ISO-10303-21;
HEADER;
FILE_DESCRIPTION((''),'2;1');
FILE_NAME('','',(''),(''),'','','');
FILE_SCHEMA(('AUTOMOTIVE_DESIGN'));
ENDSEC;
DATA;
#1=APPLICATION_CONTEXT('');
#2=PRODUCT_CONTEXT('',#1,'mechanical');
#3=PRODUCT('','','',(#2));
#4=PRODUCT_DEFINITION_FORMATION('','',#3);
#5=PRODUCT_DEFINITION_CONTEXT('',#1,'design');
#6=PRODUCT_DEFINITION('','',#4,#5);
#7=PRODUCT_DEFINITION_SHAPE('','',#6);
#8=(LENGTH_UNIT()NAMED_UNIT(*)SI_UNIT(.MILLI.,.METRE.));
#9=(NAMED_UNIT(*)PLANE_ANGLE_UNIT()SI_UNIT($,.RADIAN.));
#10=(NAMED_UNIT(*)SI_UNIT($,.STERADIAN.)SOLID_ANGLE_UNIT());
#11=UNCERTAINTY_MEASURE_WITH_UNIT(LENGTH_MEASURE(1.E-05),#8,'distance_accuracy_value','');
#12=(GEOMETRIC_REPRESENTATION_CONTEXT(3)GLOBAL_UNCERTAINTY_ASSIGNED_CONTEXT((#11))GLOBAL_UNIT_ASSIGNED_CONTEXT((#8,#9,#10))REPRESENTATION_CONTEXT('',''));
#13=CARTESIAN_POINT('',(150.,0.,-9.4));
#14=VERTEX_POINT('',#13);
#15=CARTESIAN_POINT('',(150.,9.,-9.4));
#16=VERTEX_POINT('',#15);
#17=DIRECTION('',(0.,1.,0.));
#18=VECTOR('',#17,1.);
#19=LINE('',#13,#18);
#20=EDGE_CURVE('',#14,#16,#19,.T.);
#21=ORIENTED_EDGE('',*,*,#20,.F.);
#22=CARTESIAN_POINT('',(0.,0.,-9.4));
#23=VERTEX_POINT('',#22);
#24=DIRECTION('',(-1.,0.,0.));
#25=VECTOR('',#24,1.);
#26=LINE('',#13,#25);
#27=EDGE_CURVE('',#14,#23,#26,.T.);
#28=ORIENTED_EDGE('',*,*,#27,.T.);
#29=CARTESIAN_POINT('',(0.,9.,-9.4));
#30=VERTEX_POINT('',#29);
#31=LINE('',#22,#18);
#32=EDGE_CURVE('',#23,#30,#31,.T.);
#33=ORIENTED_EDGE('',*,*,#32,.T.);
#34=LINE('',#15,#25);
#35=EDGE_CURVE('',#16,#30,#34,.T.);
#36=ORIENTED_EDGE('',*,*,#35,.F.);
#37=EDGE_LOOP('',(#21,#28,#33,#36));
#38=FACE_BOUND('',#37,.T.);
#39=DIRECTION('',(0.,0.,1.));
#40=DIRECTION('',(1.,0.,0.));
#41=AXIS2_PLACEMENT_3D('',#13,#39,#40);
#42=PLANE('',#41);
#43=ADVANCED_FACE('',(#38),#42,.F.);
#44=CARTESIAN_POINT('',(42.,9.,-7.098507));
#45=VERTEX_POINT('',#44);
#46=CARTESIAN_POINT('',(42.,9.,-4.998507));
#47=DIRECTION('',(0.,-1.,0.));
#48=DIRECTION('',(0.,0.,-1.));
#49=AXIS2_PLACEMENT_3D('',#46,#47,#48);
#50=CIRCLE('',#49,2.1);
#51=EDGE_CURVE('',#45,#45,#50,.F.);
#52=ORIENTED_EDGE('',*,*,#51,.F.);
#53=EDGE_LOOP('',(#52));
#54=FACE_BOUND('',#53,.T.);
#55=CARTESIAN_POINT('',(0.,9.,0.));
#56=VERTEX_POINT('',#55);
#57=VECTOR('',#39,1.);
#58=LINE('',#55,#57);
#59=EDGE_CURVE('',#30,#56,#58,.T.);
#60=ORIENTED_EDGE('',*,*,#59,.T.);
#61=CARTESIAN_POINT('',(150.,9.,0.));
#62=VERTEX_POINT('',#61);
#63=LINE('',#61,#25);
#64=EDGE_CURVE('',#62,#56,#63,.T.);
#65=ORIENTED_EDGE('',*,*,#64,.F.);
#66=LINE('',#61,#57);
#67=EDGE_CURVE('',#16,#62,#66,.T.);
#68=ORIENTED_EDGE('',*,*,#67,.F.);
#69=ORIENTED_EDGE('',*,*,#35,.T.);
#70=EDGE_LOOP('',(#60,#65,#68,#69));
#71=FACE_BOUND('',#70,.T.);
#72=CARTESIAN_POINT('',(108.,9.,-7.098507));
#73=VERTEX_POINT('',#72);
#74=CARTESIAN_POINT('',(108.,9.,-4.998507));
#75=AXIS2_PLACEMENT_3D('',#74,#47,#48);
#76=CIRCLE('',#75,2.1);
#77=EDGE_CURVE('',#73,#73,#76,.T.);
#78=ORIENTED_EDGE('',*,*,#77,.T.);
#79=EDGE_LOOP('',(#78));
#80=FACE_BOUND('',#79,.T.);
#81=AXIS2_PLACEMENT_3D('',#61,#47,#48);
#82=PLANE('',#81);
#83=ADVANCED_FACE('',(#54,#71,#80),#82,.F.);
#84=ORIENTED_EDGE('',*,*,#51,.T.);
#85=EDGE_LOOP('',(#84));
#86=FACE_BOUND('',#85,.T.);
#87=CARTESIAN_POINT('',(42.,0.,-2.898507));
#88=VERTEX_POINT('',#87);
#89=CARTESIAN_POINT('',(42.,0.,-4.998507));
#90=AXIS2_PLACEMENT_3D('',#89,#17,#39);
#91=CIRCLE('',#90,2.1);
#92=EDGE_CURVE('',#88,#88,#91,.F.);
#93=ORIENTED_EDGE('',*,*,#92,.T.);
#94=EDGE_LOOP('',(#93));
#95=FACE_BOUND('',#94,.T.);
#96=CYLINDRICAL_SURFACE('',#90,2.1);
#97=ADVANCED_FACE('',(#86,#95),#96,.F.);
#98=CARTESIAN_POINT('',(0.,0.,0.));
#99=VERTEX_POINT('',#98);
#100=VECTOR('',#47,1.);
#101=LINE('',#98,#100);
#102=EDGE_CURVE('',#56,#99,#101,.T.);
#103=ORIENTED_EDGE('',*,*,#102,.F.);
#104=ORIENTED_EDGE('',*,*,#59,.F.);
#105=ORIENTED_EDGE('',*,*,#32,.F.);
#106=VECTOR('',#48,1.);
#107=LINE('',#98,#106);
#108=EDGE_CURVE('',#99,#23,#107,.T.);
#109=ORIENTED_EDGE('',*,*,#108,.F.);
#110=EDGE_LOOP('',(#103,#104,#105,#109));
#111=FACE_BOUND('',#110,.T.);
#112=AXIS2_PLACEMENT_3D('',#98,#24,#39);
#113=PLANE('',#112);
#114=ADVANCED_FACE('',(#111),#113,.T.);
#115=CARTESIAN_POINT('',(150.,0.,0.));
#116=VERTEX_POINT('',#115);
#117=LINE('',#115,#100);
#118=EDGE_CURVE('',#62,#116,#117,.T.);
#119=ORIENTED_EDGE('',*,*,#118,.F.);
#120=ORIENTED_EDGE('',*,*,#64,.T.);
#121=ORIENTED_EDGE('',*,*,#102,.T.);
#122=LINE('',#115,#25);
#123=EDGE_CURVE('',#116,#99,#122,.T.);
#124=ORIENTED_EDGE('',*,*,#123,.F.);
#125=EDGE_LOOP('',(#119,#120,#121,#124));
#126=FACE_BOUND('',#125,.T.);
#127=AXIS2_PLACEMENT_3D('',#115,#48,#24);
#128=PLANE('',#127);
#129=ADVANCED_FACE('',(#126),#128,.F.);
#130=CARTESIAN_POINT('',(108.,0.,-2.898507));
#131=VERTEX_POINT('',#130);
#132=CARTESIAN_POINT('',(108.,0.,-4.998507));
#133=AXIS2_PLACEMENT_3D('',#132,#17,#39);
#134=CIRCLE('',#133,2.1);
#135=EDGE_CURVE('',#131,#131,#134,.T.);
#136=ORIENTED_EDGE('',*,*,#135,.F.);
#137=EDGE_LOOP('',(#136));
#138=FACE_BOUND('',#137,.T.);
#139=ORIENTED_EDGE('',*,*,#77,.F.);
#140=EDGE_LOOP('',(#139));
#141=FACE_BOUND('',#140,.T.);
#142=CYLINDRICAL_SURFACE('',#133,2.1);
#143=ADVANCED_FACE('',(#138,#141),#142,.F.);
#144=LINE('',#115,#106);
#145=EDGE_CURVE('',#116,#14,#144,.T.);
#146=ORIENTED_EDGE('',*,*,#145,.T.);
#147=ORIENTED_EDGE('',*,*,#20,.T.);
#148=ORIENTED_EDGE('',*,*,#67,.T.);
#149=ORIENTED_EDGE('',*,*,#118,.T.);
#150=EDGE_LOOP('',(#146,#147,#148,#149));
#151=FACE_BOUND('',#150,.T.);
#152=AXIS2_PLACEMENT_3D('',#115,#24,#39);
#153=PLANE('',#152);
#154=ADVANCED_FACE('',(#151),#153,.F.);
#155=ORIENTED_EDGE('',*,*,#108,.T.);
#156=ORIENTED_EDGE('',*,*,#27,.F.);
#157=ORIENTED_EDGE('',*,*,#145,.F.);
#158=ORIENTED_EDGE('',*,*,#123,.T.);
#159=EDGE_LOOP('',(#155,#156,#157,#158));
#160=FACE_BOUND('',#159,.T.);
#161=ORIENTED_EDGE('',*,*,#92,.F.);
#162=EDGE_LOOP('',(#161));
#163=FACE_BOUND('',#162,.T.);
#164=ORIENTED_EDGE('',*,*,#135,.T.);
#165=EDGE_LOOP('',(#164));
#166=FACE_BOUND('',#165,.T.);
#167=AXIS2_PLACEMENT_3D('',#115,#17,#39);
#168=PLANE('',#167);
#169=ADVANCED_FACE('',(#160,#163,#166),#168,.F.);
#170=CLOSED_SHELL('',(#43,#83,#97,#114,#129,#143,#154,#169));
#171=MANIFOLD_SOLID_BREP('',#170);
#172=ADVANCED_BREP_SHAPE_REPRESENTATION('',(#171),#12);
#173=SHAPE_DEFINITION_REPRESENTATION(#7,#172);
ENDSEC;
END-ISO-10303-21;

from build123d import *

# Parameters (mm, degrees)
SKETCH1_W               = 9.4
SKETCH1_H               = 9
BOSS_EXTRUDE1_DEPTH     = 150
CUT_EXTRUDE1_DEPTH      = 151.563474986
CUT_EXTRUDE1_DEPTH_BACK = 151.563474986
SKETCH2_R               = 2.1


with BuildPart() as part:
    # Sketch1 → Boss-Extrude1 (new body)
    with BuildSketch(Plane(origin=(0, 0, 0), x_dir=(0, 0, -1), z_dir=(1, 0, 0))):
        with Locations((4.7, 4.5)):
            Rectangle(SKETCH1_W, SKETCH1_H)
    extrude(amount=BOSS_EXTRUDE1_DEPTH)

    # Sketch2 → Cut-Extrude1 (cut, two sides: drawn at the far end of the back side and taken through both)
    with BuildSketch(Plane(origin=(0, 9, 0), x_dir=(1, 0, 0), z_dir=(0, 1, 0)).offset(-CUT_EXTRUDE1_DEPTH_BACK)):
        with Locations(Location((108, 4.998507463, 0), (0, 0, 270))):
            Circle(SKETCH2_R)
        with Locations(Location((42, 4.998507463, 0), (0, 0, 270))):
            Circle(SKETCH2_R)
    extrude(amount=CUT_EXTRUDE1_DEPTH + CUT_EXTRUDE1_DEPTH_BACK, mode=Mode.SUBTRACT)


solid = part.part
